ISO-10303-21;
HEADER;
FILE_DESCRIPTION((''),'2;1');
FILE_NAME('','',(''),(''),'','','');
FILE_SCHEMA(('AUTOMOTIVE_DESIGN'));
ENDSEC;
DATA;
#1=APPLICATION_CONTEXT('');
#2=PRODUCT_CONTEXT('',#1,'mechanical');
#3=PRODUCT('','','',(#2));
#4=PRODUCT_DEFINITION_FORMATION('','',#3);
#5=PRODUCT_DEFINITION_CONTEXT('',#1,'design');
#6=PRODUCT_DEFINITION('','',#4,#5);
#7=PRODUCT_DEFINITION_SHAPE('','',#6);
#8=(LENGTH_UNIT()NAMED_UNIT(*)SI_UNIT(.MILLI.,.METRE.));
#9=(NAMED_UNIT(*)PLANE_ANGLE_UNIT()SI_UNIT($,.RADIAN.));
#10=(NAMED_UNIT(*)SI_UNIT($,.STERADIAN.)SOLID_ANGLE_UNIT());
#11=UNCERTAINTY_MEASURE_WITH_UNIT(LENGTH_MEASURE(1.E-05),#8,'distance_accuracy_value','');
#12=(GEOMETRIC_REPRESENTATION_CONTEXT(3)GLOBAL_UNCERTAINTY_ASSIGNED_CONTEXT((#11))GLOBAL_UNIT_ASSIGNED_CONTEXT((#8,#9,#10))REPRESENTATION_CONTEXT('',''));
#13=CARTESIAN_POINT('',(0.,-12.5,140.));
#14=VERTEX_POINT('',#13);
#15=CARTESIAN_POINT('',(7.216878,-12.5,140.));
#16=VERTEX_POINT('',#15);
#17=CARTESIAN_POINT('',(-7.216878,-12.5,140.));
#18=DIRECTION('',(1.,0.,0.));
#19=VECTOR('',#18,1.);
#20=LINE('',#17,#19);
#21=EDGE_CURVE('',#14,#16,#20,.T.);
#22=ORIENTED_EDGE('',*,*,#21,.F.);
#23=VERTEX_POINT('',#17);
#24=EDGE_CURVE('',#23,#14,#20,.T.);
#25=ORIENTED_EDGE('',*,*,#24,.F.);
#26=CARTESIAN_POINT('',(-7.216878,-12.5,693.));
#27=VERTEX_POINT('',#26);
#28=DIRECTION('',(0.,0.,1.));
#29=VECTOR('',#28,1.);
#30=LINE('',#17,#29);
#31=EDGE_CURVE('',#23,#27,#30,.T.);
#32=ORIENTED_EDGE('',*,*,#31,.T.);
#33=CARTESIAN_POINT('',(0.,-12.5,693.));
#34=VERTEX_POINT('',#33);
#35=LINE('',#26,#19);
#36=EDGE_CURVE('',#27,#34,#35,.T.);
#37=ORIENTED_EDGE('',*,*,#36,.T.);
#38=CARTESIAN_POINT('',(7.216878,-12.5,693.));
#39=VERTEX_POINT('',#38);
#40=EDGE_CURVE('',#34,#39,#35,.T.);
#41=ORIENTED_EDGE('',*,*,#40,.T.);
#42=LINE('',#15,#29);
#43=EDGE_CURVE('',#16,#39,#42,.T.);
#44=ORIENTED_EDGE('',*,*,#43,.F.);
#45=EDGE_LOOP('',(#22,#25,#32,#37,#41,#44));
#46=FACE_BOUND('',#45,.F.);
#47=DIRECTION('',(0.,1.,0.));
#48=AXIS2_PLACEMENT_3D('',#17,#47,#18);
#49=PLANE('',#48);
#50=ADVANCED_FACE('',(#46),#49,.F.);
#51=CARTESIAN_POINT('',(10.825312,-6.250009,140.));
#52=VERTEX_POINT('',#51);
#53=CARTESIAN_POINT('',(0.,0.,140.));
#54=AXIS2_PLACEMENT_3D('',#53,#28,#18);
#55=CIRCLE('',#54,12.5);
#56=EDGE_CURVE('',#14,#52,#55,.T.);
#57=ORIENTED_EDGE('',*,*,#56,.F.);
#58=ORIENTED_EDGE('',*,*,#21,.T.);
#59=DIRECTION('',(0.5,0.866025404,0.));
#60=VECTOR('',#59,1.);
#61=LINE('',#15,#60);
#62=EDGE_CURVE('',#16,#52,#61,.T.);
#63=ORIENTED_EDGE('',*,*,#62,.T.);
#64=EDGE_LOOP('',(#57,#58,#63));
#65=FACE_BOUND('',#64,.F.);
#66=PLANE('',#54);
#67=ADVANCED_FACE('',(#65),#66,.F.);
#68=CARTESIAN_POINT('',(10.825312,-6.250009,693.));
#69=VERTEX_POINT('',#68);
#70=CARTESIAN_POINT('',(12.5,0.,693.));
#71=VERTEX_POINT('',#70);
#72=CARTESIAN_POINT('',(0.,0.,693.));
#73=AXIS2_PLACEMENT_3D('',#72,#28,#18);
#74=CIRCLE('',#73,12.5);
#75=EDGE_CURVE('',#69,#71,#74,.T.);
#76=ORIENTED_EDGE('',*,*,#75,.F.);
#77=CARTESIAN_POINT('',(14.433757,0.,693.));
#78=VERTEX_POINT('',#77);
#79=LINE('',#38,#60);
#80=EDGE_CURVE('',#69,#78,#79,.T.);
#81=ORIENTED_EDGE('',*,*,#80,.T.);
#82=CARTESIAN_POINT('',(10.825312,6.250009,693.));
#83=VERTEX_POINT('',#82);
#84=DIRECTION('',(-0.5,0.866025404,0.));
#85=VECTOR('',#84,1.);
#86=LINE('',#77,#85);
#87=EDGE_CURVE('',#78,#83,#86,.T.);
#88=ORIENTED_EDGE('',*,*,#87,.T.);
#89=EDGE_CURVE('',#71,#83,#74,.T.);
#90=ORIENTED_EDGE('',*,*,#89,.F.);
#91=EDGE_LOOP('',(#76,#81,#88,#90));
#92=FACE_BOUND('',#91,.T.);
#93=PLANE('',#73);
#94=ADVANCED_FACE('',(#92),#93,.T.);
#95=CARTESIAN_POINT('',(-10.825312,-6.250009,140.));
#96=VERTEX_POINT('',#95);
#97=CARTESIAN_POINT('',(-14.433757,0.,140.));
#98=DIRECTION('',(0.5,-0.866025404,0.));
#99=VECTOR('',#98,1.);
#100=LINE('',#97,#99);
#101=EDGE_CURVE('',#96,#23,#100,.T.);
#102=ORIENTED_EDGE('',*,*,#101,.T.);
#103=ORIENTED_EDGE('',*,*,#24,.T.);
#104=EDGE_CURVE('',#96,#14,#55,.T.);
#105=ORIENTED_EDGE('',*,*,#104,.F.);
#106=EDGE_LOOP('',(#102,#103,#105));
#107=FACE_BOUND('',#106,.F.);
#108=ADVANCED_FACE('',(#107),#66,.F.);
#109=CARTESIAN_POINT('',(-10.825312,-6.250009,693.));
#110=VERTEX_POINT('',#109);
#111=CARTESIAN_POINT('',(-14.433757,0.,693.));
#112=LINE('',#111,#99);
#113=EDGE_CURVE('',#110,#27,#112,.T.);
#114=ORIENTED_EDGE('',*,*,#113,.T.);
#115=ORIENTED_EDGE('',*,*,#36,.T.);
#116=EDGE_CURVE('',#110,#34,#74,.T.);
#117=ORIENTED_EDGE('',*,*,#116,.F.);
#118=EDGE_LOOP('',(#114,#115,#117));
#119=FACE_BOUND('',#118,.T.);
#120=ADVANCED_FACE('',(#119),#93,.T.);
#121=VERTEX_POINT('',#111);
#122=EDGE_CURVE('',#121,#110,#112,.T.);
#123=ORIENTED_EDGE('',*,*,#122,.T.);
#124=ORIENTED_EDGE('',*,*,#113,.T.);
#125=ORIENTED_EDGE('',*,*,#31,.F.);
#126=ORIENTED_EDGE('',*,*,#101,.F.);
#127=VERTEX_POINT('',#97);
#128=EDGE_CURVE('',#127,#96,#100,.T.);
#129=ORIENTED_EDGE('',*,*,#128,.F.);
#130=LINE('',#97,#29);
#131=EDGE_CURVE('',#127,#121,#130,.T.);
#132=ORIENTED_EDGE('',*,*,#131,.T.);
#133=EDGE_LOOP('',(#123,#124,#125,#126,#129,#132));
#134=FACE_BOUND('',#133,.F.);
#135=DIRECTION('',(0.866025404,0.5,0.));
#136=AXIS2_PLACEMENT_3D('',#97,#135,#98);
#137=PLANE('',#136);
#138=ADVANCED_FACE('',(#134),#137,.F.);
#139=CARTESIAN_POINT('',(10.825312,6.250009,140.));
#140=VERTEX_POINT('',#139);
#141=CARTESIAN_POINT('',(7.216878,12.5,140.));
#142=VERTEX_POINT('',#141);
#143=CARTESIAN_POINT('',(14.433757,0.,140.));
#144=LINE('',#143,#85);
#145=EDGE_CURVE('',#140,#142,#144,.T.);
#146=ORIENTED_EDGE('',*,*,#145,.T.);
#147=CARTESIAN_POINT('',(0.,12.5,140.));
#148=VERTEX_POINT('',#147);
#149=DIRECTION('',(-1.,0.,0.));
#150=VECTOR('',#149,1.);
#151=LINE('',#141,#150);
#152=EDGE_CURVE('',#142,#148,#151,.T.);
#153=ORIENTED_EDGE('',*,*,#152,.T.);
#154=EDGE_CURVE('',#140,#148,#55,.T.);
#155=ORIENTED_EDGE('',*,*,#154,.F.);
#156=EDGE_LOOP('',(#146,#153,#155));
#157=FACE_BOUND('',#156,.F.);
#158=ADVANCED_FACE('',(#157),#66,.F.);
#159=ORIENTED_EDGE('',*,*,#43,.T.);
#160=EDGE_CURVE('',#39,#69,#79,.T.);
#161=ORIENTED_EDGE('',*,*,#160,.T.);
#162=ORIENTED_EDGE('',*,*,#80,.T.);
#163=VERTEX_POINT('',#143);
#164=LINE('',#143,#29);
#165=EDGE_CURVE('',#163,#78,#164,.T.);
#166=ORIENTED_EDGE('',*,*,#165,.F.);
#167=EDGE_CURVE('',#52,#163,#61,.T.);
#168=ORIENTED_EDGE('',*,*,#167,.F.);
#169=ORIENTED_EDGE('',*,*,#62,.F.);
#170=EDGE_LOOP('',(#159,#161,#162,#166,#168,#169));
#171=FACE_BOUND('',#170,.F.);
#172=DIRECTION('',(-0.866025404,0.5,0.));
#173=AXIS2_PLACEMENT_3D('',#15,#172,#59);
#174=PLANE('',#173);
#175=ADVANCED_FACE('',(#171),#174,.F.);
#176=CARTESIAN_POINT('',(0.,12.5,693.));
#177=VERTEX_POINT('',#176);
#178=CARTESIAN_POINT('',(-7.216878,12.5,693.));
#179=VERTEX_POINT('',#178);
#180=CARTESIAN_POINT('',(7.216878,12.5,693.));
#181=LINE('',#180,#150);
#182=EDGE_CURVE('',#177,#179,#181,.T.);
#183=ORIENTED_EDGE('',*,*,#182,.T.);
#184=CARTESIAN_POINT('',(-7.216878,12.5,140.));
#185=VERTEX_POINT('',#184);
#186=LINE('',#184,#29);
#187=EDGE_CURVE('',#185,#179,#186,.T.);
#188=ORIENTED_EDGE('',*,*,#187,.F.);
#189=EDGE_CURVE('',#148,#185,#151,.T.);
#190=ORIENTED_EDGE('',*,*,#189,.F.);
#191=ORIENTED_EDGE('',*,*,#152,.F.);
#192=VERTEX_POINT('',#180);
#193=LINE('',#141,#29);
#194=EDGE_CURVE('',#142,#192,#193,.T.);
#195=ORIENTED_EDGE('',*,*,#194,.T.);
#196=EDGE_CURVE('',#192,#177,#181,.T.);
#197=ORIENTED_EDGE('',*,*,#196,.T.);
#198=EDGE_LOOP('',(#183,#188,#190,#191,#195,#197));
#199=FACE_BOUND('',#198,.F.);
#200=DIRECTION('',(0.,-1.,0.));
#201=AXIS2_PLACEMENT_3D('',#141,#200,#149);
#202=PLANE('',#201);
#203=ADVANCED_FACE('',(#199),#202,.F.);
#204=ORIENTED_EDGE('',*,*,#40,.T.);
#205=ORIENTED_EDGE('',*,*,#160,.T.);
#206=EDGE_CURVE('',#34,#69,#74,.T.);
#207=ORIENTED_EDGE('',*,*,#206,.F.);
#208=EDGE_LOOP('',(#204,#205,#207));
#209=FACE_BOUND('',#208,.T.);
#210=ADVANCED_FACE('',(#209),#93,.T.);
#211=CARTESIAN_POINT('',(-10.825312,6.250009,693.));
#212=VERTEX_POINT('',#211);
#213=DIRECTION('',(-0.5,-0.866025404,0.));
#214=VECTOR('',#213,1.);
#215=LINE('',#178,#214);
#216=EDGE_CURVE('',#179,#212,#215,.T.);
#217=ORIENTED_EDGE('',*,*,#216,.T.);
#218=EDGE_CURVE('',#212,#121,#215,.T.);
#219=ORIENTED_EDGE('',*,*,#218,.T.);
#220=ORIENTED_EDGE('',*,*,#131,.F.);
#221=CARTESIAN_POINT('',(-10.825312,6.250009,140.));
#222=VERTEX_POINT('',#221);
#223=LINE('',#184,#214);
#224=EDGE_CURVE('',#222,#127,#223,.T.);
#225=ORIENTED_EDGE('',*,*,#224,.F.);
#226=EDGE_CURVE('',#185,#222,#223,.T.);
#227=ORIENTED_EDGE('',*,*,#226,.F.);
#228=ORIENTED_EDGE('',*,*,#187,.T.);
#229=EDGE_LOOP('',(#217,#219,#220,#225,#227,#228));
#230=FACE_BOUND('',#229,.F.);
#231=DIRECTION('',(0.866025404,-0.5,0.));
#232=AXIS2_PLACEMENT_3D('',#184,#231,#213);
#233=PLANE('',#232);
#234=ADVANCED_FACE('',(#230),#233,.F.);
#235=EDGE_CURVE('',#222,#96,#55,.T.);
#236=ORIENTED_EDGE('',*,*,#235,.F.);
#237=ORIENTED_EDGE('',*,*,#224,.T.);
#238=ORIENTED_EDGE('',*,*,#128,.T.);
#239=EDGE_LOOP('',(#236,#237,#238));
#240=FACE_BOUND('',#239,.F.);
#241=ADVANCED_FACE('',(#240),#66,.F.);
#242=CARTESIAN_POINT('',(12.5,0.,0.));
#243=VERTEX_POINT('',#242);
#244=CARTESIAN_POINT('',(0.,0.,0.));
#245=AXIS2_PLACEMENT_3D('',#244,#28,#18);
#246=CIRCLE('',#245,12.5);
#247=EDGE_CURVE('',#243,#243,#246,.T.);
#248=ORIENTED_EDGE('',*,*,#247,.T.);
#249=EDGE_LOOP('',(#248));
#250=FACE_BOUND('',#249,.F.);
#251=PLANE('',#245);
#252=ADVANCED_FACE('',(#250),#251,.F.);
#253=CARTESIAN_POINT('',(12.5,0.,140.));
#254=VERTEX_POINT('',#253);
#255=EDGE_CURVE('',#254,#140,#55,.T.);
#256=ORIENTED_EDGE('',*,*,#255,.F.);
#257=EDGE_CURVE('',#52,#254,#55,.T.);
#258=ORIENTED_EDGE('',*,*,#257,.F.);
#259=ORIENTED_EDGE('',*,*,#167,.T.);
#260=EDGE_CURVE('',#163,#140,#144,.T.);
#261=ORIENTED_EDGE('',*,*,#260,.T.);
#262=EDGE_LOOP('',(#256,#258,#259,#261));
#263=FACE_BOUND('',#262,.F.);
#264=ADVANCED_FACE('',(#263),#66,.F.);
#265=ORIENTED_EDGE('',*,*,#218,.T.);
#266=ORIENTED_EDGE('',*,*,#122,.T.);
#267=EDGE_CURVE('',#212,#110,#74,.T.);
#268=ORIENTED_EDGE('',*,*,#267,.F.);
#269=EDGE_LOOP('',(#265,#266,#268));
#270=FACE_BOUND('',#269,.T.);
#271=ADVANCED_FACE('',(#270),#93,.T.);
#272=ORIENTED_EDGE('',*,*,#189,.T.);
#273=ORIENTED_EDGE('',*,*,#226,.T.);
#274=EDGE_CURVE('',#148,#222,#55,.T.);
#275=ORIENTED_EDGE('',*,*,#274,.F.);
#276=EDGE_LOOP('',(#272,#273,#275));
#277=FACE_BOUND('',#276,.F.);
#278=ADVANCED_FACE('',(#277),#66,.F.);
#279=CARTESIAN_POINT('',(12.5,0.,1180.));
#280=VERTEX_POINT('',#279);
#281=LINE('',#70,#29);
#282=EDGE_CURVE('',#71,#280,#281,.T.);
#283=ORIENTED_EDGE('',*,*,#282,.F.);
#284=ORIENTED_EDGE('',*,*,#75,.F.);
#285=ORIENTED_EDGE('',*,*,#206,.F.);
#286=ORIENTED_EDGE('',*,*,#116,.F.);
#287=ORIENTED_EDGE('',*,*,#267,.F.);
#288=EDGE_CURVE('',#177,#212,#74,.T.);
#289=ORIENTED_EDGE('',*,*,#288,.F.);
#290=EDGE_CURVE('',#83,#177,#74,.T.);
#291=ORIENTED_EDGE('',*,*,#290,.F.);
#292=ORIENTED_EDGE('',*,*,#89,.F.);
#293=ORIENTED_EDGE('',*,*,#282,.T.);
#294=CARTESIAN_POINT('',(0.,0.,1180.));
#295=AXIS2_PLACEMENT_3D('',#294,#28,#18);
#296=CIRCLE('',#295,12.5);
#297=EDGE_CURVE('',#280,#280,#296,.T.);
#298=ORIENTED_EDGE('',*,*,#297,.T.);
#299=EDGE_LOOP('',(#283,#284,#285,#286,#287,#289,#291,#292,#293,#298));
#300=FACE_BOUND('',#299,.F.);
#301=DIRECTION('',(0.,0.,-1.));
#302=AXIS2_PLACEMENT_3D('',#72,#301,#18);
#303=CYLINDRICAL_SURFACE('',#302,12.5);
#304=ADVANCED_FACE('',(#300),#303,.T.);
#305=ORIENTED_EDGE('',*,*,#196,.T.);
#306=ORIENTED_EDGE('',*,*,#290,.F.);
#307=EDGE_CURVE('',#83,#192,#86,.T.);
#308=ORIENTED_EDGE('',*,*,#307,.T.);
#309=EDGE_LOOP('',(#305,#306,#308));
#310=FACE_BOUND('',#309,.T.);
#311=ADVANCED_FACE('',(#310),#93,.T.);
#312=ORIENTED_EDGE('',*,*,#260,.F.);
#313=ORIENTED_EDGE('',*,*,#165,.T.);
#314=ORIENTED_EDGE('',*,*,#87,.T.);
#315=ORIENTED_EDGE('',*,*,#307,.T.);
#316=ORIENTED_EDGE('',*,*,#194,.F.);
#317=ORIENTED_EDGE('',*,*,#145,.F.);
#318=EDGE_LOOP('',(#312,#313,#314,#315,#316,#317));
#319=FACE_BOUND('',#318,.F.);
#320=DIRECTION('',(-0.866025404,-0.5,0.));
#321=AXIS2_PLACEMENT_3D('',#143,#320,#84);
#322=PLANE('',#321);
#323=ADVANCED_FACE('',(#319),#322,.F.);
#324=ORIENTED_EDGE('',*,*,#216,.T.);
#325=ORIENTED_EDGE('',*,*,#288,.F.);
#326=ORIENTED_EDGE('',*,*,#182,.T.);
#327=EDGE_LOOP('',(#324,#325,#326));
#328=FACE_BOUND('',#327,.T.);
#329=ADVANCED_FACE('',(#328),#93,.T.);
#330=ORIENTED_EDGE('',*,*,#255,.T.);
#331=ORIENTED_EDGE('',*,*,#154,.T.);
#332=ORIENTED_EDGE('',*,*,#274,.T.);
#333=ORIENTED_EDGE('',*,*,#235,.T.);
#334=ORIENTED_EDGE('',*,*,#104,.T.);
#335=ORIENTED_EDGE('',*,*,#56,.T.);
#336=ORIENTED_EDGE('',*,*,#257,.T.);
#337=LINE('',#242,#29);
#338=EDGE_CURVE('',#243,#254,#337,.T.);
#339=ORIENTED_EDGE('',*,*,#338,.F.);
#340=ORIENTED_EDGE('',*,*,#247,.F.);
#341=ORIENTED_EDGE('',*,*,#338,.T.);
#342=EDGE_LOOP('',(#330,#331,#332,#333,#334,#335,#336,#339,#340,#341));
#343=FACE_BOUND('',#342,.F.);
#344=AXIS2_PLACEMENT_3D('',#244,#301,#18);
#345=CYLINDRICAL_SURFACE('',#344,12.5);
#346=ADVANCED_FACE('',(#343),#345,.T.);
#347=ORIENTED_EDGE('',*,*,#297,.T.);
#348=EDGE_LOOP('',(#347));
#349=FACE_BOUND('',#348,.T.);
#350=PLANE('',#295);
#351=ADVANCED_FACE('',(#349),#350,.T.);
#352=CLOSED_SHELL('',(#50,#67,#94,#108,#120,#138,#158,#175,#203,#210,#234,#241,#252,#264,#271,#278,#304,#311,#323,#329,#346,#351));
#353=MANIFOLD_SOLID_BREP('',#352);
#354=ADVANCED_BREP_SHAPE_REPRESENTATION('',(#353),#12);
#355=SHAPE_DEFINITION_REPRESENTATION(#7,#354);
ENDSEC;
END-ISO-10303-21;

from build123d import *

# Parameters (mm, degrees)
F0_R     = 12.5
F1_DEPTH = 140
F3_DEPTH = 553
F4_R     = 12.5
F5_DEPTH = 487


with BuildPart() as f1:
    # F0 (on Top) → F1 (new body)
    with BuildSketch(Plane.XY):
        Circle(F0_R)
    extrude(amount=F1_DEPTH)

    # F2 (on face) → F3 (join)
    with BuildSketch(Plane.XY.offset(140)):
        Polygon((7.2168783649, 12.5), (-7.2168783649, 12.5), (-14.4337567297, 0), (-7.2168783649, -12.5), (7.2168783649, -12.5), (14.4337567297, 0), align=None)
    extrude(amount=F3_DEPTH)

    # F4 (on face) → F5 (join)
    with BuildSketch(Plane.XY.offset(693)):
        Circle(F4_R)
    extrude(amount=F5_DEPTH)


solid = f1.part
